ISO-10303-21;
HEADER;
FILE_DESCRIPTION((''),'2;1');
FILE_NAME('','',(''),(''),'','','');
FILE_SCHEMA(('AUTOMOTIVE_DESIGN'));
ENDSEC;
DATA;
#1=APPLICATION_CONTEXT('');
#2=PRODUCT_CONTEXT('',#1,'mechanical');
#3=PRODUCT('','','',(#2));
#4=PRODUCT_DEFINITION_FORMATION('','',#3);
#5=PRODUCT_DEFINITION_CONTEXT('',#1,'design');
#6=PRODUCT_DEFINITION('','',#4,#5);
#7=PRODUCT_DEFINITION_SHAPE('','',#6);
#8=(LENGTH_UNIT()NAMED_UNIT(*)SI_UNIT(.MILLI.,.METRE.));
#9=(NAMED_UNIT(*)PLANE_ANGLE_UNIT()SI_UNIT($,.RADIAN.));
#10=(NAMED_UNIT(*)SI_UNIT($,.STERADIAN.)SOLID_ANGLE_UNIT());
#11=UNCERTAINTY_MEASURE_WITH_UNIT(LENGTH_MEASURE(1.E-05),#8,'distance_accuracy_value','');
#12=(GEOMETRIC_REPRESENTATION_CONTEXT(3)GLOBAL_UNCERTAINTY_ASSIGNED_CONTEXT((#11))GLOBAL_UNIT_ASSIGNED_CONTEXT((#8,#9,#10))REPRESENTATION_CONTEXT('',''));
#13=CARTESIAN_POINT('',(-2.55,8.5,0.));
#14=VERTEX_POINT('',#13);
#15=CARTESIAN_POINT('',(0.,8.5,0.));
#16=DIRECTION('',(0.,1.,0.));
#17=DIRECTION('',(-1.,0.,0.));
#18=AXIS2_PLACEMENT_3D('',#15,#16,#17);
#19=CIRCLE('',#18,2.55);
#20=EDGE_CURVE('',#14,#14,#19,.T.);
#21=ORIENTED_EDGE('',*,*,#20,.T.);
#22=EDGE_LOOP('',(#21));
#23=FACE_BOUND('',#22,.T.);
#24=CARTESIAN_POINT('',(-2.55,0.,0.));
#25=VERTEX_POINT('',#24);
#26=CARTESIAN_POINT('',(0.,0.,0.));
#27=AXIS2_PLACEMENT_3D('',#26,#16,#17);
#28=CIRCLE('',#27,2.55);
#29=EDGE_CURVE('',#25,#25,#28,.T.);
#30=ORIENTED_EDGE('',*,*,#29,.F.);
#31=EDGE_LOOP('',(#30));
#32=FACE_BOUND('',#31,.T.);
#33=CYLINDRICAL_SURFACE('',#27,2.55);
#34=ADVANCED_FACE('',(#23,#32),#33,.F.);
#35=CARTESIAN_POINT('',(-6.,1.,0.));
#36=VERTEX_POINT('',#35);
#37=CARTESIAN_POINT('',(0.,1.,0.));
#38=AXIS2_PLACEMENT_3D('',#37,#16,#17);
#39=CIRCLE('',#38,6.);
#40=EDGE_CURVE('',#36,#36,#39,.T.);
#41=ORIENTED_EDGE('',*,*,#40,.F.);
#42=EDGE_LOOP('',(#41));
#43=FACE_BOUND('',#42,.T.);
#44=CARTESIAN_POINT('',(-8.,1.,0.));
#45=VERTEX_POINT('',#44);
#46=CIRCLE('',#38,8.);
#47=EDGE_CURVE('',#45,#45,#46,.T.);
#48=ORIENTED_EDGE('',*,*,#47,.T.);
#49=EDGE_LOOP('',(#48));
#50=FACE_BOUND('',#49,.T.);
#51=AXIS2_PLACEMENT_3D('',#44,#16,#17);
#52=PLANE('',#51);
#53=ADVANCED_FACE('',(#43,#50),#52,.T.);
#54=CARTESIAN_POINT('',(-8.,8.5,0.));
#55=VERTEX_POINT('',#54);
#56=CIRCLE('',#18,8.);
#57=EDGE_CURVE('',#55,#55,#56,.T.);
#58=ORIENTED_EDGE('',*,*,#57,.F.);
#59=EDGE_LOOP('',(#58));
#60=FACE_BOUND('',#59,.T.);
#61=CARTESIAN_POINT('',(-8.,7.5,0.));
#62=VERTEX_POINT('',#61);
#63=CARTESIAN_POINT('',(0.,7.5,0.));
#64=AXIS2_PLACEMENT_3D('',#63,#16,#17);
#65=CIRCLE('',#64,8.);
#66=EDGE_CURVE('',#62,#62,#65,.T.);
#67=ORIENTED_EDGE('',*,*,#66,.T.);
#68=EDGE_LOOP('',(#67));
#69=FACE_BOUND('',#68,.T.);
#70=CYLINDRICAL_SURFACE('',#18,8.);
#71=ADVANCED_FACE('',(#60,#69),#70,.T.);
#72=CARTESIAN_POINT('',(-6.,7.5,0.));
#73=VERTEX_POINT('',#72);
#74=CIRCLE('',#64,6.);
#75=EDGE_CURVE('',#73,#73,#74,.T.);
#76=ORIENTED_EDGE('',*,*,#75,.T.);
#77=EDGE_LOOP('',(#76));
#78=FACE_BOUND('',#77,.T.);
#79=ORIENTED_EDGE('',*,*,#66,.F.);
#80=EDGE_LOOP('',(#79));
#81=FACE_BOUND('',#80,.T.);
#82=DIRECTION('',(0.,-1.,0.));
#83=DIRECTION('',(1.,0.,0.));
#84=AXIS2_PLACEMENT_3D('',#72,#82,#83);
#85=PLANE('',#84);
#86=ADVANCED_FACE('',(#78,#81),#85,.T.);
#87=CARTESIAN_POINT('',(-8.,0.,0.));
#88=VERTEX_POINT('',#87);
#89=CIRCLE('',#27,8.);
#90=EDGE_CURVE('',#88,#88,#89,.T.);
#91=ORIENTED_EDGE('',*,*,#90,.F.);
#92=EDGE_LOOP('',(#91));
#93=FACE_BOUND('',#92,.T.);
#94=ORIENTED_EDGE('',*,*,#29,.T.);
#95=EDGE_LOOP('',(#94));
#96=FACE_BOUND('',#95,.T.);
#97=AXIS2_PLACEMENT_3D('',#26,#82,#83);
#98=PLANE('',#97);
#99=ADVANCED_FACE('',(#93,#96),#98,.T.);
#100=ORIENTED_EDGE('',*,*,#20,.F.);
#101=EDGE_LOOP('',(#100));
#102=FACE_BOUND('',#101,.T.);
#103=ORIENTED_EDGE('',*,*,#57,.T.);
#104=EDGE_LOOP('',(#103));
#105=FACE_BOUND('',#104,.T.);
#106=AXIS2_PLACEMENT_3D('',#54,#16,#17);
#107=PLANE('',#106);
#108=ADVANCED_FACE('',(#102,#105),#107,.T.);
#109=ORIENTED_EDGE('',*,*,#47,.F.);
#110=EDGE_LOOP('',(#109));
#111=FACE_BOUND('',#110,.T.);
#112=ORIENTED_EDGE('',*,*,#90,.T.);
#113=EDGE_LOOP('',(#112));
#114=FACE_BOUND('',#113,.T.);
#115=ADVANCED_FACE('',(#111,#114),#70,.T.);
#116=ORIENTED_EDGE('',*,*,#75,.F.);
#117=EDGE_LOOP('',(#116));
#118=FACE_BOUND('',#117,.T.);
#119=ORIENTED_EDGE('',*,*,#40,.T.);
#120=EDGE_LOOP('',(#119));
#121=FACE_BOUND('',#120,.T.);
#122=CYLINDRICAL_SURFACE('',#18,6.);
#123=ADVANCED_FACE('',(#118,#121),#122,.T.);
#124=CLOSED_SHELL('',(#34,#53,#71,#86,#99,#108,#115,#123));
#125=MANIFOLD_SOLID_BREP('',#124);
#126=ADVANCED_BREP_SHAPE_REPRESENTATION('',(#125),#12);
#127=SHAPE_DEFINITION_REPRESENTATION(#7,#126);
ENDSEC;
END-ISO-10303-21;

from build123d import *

# Parameters (mm, degrees)
SKETCH2_R          = 2.55
CUT_EXTRUDE1_DEPTH = 15.150971698


with BuildPart() as part:
    # Sketch1 → Revolve1 (revolve)
    with BuildSketch(Plane.XY):
        Polygon((0, 0), (-8, 0), (-8, 1), (-6, 1), (-6, 7.5), (-8, 7.5), (-8, 8.5), (0, 8.5), align=None)
    revolve(axis=Axis((0, 8.5, 0), (0, -1, 0)))

    # Sketch2 → Cut-Extrude1 (cut, through all)
    with BuildSketch(Plane(origin=(0, 8.5, 0), x_dir=(1, 0, 0), z_dir=(0, 1, 0))):
        with Locations(Location((0, 0, 0), (0, 0, 180))):
            Circle(SKETCH2_R)
    extrude(amount=-CUT_EXTRUDE1_DEPTH, mode=Mode.SUBTRACT)


solid = part.part
